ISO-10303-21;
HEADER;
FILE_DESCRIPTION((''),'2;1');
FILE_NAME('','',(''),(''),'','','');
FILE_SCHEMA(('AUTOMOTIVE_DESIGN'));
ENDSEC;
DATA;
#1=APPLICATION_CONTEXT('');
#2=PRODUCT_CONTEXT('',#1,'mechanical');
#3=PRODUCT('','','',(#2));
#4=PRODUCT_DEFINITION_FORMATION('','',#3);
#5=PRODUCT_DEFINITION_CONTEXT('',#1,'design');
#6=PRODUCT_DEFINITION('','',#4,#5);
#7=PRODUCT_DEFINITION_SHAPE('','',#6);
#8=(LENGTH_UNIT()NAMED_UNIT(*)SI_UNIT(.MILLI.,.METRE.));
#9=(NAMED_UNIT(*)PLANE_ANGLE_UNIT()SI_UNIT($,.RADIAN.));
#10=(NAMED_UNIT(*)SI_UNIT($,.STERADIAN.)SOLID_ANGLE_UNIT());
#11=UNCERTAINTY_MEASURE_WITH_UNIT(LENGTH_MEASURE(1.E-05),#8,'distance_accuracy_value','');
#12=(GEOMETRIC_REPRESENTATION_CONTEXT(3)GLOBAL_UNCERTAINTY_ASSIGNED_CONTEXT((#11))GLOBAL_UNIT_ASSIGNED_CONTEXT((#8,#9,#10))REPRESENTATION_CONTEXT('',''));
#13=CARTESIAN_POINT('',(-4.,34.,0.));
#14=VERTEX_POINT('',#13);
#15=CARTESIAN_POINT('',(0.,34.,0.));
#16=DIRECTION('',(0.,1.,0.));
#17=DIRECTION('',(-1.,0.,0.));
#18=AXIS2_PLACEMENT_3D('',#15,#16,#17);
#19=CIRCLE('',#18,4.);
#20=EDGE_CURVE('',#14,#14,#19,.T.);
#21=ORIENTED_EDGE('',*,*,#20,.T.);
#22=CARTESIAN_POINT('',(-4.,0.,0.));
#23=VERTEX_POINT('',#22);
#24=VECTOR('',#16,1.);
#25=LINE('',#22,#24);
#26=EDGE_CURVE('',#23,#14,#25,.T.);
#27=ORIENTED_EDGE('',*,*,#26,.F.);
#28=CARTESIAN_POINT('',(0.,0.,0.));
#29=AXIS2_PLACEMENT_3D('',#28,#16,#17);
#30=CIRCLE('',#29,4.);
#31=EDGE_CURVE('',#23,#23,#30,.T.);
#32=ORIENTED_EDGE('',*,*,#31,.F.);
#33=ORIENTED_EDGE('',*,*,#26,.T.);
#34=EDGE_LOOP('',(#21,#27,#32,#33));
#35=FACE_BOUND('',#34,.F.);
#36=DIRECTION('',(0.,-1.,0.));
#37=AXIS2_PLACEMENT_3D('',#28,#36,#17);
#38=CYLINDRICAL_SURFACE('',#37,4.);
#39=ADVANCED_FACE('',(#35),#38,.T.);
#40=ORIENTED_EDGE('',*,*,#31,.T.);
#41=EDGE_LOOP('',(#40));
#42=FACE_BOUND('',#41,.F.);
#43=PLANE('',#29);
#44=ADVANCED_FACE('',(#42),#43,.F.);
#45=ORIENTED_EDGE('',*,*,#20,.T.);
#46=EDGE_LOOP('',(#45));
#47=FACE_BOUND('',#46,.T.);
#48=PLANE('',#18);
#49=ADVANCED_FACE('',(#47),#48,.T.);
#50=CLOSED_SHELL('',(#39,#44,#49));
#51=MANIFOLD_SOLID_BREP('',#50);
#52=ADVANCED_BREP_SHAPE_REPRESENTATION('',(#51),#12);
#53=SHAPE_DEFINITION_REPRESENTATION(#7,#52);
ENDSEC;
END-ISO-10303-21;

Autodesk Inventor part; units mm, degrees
ref_plane "YZ Plane" through (0, 0, 0) normal (1, 0, 0) x (0, 1, 0)
ref_plane "XZ Plane" through (0, 0, 0) normal (0, 1, 0) x (-1, 0, 0)
ref_plane "XY Plane" through (0, 0, 0) normal (0, 0, 1) x (1, 0, 0)
sketch "Sketch1" plane through (0, 0, 0) normal (0, 1, 0) x (-1, 0, 0)
  circle A0 centre (0, 0) radius 4
  dimension "d0" = 8
extrude "Extrusion1" add sketch "Sketch1" along normal blind 34
properties part number "Shaft"
